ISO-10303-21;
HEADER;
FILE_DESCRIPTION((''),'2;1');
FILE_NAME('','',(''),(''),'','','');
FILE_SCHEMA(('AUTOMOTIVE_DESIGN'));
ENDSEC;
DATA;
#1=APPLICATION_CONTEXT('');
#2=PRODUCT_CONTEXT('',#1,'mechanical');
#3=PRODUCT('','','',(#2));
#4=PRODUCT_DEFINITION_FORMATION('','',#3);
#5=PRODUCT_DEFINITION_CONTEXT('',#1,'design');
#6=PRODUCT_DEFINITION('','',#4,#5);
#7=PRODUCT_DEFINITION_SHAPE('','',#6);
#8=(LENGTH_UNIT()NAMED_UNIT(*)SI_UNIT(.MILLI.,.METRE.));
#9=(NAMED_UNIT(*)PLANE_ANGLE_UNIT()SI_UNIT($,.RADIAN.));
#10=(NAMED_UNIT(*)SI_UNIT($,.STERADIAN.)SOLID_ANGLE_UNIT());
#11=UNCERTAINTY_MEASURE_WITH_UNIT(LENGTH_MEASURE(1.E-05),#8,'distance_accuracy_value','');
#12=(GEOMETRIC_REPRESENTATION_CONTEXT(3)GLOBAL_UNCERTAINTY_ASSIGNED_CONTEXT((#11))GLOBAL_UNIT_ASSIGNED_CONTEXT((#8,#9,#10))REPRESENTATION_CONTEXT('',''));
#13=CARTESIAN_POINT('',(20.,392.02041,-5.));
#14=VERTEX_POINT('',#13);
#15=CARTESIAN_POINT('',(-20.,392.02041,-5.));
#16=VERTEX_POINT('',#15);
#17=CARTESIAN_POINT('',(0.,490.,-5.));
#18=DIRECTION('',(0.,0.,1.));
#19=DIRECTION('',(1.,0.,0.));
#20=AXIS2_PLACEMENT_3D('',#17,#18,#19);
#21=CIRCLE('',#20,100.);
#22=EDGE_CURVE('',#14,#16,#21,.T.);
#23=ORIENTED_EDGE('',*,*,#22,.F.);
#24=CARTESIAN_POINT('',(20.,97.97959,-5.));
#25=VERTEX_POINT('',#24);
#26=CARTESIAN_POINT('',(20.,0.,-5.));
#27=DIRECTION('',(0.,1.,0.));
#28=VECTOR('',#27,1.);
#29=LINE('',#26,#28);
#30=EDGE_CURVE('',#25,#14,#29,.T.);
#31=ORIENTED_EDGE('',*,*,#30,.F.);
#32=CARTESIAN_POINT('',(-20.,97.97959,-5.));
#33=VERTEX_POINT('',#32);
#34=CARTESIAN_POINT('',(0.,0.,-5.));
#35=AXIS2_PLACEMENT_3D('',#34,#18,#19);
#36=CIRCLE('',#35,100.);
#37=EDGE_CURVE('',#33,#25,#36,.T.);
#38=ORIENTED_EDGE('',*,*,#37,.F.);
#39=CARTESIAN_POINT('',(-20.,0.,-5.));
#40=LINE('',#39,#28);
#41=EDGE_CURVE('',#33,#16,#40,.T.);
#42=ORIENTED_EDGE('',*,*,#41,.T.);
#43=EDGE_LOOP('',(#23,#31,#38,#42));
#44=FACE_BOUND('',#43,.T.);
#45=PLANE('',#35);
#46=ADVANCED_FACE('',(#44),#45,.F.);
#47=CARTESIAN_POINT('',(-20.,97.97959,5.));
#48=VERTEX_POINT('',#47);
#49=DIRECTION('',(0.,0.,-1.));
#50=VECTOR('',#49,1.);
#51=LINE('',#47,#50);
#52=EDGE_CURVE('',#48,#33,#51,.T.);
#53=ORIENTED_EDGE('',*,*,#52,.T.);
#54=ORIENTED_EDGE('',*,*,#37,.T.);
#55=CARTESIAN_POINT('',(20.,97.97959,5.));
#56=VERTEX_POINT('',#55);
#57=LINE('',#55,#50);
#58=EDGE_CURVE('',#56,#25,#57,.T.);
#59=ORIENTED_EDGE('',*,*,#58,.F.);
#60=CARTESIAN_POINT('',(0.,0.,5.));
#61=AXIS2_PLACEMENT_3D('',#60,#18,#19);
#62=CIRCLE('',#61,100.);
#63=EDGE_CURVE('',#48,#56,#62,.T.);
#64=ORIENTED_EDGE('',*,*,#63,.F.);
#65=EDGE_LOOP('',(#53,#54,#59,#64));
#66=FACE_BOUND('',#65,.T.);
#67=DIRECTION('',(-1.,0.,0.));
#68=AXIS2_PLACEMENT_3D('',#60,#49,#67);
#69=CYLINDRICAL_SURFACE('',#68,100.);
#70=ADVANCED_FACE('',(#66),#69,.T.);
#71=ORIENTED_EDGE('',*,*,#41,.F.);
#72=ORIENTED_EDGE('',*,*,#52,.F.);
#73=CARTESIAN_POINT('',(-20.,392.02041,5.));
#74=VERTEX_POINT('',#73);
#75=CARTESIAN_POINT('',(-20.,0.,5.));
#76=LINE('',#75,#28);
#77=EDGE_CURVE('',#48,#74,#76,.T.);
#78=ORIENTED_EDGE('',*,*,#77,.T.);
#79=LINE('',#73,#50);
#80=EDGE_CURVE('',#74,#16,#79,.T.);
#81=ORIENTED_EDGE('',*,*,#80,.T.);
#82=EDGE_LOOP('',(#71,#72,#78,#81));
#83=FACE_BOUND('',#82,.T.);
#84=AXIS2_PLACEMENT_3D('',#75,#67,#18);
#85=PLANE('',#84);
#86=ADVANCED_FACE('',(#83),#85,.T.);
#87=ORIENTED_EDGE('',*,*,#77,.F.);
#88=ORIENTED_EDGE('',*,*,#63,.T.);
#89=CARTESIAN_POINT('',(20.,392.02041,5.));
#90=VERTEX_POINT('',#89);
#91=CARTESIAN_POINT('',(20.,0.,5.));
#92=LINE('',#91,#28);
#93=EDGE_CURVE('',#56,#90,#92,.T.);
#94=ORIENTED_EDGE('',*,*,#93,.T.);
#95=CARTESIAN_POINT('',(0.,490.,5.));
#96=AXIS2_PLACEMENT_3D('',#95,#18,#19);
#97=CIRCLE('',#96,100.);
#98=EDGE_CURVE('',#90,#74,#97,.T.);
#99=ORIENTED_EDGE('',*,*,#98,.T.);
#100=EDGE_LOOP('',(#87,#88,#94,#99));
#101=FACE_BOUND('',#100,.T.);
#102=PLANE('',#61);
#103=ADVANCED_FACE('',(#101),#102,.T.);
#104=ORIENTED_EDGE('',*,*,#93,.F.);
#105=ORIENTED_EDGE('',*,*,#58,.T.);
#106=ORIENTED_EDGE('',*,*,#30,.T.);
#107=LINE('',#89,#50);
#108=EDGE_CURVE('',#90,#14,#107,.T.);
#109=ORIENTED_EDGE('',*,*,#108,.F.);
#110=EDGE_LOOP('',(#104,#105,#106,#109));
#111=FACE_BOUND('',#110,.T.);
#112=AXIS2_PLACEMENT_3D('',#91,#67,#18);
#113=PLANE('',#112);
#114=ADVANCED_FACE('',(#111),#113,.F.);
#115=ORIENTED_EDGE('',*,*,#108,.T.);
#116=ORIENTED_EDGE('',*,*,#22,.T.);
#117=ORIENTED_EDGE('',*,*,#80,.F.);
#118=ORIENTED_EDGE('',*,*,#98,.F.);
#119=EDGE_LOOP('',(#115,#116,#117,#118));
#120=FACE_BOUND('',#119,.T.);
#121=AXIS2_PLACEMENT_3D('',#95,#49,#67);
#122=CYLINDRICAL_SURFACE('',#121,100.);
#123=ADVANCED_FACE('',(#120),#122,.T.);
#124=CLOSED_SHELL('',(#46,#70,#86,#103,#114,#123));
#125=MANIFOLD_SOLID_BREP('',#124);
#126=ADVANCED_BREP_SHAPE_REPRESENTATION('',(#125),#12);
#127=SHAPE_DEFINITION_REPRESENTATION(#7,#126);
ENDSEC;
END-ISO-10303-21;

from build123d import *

# Parameters (mm, degrees)
SKETCH1_R           = 100
BOSS_EXTRUDE1_DEPTH = 5


with BuildPart() as part:
    # Sketch1 → Boss-Extrude1 (new, symmetric)
    with BuildSketch(Plane.XY):
        Circle(SKETCH1_R)
        with Locations((0, 490)):
            Circle(SKETCH1_R)
        with BuildLine():
            Line((-20, 0), (-20, 490))
            ThreePointArc((-20, 490), (0, 510), (20, 490))
            Line((20, 490), (20, 0))
            ThreePointArc((20, 0), (0, -20), (-20, 0))
        make_face()
    extrude(amount=BOSS_EXTRUDE1_DEPTH, both=True)


solid = part.part
